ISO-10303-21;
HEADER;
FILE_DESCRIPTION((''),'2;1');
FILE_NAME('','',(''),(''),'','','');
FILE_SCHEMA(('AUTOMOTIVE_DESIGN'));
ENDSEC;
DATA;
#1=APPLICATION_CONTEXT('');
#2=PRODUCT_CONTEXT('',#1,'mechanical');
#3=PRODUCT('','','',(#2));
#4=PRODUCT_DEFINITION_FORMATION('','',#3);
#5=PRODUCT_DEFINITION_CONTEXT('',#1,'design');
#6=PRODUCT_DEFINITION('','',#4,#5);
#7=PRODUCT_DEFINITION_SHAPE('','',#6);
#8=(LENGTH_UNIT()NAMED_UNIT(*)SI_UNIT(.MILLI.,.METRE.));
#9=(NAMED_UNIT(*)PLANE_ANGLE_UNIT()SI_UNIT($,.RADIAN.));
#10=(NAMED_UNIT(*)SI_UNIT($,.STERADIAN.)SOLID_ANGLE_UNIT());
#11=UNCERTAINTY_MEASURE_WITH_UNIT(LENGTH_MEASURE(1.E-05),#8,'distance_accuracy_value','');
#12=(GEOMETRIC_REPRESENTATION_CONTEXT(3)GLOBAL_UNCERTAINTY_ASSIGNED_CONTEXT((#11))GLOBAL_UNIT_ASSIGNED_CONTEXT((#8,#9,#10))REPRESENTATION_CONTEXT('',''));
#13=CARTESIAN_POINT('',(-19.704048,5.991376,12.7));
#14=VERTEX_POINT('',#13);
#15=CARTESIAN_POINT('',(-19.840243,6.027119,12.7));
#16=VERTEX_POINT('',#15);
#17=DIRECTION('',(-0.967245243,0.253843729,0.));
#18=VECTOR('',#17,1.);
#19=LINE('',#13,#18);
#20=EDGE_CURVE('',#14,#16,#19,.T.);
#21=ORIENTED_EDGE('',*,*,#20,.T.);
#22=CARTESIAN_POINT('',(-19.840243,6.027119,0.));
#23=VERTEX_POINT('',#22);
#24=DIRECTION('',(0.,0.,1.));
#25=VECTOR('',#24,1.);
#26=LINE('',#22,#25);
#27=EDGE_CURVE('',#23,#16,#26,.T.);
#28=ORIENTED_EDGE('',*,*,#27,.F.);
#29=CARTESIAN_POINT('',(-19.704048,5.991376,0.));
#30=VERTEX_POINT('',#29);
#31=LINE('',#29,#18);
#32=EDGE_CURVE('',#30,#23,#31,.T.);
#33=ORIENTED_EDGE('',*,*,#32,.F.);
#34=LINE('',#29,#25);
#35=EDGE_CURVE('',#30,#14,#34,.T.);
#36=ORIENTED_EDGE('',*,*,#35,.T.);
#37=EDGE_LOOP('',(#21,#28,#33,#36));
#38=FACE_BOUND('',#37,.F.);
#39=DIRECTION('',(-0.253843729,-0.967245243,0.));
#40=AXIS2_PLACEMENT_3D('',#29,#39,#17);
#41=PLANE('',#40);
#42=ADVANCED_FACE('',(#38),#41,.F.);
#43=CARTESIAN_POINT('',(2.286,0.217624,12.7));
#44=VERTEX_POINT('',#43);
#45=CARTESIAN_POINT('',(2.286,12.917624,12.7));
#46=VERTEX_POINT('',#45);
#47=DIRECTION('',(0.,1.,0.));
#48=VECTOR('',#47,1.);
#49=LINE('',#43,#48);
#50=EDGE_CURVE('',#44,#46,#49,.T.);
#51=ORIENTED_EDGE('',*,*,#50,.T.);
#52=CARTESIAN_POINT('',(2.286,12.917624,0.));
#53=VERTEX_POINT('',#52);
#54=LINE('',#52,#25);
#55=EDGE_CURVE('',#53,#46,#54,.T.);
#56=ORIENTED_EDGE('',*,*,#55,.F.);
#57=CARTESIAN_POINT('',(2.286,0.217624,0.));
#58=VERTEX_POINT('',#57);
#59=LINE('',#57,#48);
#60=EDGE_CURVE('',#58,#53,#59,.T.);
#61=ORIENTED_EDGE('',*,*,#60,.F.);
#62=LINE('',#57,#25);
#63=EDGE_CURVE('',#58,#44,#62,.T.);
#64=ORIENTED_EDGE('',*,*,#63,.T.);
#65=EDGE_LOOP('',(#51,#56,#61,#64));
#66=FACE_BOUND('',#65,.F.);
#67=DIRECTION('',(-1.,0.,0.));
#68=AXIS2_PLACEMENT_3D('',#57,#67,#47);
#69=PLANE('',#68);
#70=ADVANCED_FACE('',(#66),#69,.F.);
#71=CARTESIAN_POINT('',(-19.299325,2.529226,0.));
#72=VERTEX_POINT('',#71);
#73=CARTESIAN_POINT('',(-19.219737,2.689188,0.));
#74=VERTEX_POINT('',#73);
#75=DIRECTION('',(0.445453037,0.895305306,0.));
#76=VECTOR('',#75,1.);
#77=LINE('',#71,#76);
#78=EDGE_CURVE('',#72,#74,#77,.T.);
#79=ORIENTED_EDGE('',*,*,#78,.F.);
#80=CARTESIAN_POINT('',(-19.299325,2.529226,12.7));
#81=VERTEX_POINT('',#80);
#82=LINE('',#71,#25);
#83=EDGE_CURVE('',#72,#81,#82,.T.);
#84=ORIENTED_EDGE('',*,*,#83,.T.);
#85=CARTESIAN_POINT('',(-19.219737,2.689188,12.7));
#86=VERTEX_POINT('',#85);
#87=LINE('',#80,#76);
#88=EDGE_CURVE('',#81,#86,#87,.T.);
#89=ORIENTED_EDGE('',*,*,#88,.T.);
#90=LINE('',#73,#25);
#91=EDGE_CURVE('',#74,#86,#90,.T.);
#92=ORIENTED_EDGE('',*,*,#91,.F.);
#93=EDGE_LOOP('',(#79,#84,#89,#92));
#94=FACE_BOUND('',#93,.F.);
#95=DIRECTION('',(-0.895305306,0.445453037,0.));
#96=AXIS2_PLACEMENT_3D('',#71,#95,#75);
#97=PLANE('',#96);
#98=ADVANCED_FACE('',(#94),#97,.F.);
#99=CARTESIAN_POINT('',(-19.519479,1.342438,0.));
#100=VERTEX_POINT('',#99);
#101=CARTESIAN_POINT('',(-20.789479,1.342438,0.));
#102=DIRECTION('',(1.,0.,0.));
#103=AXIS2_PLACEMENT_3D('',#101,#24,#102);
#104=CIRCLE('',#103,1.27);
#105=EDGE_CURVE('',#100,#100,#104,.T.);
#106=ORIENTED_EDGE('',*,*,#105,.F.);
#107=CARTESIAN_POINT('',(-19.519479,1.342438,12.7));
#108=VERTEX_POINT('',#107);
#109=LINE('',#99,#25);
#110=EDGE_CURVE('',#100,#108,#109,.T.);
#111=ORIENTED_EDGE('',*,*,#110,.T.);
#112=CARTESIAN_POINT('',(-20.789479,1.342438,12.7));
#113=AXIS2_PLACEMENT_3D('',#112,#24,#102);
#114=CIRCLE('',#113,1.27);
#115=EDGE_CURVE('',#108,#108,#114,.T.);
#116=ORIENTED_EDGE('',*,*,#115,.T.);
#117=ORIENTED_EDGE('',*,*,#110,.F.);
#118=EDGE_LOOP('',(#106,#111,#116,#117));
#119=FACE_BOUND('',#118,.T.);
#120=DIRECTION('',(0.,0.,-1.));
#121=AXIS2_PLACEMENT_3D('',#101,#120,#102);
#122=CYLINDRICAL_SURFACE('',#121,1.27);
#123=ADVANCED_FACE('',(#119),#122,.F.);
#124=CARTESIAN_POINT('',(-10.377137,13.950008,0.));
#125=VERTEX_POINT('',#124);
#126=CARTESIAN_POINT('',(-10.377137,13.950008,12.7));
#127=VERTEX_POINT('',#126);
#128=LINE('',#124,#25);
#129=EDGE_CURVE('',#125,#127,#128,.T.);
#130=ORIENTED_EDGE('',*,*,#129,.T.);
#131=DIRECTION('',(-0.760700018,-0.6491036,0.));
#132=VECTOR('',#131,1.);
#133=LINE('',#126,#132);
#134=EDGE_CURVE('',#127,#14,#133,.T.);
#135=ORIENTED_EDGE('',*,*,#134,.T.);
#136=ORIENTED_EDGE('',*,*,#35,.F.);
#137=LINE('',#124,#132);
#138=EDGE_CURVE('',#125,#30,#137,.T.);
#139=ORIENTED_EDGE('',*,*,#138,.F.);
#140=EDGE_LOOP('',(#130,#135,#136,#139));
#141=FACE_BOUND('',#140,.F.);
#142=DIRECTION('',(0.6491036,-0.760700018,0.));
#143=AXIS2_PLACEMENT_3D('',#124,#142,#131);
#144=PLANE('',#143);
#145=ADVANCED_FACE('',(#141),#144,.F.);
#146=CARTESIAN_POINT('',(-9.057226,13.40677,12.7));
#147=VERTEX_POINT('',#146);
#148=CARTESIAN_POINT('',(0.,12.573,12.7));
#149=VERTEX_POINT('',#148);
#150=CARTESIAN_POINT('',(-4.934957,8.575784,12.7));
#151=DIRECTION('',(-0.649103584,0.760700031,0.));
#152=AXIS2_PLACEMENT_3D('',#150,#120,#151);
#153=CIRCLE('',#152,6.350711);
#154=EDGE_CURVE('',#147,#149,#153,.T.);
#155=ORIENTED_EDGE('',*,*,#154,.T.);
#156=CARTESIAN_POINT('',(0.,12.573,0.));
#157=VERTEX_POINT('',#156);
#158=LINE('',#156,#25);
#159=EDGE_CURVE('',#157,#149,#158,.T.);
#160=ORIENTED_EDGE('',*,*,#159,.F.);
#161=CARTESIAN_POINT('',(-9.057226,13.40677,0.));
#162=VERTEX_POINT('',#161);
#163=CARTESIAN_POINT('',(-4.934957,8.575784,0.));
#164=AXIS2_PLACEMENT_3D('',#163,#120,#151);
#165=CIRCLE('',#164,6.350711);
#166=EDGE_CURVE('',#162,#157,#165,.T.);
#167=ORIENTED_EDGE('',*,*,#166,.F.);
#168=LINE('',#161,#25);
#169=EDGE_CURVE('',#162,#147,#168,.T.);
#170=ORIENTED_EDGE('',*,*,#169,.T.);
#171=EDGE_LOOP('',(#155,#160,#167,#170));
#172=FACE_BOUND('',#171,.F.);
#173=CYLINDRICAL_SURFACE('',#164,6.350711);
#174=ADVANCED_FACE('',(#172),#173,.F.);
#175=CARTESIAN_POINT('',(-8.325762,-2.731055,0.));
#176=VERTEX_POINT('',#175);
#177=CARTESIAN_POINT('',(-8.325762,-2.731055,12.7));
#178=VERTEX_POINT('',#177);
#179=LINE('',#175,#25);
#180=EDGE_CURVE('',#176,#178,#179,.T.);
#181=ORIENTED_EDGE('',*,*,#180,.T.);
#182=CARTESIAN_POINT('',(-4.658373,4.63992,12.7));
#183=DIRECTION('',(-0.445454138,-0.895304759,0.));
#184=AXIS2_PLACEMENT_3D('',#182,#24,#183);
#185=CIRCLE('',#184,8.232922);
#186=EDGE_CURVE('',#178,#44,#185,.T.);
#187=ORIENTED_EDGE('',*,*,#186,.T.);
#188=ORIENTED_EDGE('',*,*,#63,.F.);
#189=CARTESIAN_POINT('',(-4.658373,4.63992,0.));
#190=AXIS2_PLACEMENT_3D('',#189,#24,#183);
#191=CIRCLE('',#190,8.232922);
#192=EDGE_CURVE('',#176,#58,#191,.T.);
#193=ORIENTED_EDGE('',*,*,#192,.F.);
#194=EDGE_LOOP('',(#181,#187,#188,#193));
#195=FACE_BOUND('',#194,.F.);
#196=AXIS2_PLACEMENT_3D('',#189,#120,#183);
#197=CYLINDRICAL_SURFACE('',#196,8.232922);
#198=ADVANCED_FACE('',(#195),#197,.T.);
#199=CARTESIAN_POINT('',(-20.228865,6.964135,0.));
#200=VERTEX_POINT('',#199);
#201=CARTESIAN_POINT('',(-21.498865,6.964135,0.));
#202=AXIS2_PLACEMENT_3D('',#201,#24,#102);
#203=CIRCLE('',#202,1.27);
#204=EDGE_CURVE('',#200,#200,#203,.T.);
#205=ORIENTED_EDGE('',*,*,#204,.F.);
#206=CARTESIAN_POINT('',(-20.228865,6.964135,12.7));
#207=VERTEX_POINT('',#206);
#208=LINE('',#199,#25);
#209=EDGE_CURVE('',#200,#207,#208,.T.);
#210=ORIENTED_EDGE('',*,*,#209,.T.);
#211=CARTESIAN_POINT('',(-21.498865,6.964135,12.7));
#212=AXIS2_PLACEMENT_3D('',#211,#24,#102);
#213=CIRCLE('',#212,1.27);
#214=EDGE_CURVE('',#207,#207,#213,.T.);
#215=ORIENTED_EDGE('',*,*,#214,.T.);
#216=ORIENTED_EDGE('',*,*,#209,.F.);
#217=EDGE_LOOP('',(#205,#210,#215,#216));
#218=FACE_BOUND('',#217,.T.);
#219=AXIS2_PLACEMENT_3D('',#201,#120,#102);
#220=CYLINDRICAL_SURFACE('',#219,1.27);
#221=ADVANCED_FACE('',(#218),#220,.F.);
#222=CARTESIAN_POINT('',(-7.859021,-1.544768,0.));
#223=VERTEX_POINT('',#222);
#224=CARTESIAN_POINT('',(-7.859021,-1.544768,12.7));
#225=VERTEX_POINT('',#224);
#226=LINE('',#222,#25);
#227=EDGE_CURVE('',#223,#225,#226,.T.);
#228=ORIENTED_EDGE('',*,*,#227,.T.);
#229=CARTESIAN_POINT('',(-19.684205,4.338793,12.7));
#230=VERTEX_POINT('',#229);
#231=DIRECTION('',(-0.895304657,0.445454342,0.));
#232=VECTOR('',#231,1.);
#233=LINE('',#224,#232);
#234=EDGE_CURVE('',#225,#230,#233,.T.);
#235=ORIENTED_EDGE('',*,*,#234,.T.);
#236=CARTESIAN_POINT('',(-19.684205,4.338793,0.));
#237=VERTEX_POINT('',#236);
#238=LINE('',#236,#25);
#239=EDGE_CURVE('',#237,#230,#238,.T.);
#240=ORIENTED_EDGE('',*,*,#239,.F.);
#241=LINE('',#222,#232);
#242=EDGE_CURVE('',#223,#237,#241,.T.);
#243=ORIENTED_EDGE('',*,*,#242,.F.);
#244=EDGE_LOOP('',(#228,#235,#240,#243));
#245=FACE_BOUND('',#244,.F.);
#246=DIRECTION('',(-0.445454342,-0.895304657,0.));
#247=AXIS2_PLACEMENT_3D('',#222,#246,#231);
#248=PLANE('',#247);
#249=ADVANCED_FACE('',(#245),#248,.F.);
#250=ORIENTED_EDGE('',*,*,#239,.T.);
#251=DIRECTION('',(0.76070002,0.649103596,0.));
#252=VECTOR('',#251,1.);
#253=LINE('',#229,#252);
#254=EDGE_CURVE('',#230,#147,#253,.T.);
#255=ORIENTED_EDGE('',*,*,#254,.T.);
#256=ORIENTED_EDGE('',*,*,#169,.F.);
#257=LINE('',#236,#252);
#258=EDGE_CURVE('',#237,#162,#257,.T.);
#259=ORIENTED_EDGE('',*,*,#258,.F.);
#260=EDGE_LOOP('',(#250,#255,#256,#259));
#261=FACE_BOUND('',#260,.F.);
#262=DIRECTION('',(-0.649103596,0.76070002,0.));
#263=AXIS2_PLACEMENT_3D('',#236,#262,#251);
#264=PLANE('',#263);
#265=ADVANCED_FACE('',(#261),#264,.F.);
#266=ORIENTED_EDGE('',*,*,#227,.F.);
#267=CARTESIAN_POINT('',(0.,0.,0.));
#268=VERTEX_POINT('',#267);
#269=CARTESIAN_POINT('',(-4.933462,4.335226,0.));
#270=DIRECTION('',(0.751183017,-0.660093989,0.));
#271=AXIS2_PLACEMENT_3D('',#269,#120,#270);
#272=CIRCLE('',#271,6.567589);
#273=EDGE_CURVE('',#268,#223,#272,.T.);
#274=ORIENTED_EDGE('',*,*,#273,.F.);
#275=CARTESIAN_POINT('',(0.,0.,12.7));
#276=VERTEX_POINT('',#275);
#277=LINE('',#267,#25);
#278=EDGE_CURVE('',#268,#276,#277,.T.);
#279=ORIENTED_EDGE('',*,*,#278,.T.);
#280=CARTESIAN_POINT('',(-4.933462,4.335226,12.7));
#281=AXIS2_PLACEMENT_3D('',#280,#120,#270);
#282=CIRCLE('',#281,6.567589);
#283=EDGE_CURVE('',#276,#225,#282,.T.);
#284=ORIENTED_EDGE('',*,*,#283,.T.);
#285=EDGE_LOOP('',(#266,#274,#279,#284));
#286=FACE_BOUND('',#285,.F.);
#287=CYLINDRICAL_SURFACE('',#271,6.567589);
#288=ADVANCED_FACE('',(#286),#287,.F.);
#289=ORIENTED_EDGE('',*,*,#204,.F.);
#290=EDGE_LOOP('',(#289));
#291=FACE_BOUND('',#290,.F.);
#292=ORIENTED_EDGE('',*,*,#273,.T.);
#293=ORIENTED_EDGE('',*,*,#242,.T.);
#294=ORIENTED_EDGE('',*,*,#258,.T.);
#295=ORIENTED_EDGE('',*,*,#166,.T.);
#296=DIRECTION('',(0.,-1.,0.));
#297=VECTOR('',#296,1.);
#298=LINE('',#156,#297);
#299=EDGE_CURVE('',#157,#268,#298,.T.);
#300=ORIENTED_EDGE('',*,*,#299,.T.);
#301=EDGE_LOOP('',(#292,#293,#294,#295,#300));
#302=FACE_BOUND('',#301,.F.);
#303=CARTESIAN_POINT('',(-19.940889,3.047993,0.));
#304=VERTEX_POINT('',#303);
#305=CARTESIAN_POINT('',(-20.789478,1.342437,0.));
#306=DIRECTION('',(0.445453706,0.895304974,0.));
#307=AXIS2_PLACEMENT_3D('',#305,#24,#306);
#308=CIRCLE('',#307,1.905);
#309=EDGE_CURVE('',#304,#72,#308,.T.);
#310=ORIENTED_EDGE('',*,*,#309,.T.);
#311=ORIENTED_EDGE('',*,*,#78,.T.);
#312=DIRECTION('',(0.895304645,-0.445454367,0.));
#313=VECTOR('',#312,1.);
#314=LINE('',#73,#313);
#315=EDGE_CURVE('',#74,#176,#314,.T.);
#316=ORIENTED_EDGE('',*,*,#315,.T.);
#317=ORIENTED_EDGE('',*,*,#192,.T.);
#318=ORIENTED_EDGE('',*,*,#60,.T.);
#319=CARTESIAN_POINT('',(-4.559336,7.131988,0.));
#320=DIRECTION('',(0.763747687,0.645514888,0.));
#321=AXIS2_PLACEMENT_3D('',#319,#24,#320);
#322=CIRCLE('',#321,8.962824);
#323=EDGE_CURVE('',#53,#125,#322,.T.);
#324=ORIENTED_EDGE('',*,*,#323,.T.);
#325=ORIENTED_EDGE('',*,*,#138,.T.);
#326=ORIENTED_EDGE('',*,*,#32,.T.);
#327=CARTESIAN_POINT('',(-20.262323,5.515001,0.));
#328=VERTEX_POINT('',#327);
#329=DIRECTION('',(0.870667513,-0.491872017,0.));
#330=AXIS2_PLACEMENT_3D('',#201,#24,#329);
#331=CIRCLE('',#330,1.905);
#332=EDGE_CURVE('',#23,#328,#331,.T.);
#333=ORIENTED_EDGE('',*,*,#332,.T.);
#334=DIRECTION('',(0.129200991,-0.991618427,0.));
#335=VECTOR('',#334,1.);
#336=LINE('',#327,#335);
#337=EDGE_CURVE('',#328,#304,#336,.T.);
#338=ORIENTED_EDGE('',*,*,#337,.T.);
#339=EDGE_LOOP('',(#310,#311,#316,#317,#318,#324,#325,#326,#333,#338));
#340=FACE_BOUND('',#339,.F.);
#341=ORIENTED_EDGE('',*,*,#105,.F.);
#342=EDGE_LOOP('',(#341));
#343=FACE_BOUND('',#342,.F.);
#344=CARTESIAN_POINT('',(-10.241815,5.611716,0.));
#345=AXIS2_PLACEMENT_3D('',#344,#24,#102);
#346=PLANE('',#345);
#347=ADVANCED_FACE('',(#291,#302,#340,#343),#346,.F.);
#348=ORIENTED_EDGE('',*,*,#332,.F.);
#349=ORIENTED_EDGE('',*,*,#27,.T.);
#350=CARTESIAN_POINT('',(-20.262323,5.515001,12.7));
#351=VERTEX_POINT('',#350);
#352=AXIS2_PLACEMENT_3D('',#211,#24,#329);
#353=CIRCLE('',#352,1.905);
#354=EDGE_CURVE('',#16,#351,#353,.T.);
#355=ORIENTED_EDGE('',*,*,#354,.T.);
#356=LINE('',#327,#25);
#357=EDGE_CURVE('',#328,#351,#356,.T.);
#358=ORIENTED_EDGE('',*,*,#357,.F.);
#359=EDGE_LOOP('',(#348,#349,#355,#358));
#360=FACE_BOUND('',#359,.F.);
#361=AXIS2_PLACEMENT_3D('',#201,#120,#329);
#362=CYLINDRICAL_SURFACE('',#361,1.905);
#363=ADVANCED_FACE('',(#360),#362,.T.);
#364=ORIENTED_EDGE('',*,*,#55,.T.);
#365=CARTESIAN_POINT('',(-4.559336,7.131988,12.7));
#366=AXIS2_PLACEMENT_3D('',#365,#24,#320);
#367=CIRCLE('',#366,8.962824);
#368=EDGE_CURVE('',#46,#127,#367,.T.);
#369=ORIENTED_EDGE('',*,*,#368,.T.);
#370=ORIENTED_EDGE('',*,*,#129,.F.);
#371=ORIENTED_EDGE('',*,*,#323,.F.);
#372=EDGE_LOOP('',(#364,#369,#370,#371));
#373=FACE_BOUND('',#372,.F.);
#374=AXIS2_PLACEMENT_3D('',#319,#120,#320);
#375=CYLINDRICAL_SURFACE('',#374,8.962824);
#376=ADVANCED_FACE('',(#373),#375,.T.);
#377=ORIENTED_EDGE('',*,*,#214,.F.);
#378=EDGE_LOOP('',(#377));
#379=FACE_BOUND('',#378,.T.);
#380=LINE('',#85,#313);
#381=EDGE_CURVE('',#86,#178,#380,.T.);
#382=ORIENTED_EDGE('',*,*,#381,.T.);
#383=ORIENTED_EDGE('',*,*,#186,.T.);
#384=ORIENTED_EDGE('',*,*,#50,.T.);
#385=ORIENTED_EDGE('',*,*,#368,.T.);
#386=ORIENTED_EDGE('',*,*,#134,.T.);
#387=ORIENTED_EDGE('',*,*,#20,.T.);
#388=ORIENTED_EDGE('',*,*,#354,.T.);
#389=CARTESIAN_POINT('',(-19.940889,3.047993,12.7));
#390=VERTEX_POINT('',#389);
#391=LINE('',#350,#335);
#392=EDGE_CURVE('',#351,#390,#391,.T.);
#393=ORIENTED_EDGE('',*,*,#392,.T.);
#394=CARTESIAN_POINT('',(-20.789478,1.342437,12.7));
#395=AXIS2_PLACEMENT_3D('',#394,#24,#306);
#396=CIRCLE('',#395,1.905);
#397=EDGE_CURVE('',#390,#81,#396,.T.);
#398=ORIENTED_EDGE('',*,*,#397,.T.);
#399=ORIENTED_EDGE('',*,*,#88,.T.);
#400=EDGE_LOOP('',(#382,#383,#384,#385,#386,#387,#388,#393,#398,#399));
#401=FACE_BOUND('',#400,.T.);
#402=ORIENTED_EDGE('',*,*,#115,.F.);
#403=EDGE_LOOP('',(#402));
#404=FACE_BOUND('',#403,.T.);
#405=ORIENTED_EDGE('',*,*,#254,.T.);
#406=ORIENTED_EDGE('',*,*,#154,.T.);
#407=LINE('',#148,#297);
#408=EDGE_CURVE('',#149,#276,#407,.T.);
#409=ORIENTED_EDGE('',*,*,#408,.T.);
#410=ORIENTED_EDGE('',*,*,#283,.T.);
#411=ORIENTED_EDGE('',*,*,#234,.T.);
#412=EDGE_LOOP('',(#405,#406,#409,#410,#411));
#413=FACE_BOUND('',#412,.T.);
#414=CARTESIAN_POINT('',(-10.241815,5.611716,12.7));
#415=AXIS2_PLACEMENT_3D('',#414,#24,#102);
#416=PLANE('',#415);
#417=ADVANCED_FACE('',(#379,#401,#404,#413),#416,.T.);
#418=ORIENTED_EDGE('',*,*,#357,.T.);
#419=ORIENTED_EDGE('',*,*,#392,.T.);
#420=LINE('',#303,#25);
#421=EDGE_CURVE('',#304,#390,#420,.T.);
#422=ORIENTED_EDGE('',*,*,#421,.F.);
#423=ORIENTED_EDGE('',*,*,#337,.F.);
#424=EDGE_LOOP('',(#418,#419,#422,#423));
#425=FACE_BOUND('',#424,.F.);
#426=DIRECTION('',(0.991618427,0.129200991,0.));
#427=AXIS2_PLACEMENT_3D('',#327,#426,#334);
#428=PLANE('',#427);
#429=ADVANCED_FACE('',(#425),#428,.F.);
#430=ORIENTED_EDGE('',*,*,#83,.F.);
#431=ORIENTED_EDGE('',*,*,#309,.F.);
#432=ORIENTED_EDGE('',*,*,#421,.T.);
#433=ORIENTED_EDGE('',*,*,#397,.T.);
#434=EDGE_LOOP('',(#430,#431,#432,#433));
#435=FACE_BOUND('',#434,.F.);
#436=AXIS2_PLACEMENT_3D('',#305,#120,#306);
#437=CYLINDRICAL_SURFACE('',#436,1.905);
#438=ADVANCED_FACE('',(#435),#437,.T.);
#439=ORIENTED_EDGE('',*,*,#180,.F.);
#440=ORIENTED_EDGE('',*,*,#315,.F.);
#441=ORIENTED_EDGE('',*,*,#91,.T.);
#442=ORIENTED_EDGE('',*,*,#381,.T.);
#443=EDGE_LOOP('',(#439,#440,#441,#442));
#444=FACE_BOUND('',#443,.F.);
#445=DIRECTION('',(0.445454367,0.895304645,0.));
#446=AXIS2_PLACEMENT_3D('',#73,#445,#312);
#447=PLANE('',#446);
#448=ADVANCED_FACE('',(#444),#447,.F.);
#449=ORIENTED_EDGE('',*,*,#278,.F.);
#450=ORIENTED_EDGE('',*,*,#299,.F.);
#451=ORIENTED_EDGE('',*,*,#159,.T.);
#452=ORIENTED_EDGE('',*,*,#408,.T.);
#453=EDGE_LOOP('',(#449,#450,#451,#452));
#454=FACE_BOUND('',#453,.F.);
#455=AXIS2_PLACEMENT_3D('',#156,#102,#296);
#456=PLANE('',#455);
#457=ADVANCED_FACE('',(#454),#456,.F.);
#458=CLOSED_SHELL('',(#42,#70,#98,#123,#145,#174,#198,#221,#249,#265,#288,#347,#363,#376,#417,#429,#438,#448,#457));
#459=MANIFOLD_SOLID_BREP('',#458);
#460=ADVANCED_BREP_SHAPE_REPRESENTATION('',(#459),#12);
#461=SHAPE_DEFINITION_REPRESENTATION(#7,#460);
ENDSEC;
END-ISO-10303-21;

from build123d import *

# Parameters (mm, degrees)
F0_R     = 1.27
F1_DEPTH = 12.7


with BuildPart() as f1:
    # F0 (on Top) → F1 (new body)
    with BuildSketch(Plane.XY):
        with BuildLine():
            Line((-10.377137, 13.950008), (-19.704048, 5.991376))
            Line((-19.704048, 5.991376), (-19.840243, 6.027119))
            ThreePointArc((-19.840243, 6.027119), (-22.96892, 8.175731), (-20.262323, 5.515001))
            Line((-20.262323, 5.515001), (-19.940889, 3.047993))
            ThreePointArc((-19.940889, 3.047993), (-21.987273, -0.138884), (-19.299325, 2.529226))
            Line((-19.299325, 2.529226), (-19.219737, 2.689188))
            Line((-19.219737, 2.689188), (-8.325762, -2.731055))
            ThreePointArc((-8.325762, -2.731055), (-2.45421, -3.292462), (2.286, 0.217624))
            Line((2.286, 0.217624), (2.286, 12.917624))
            ThreePointArc((2.286, 12.917624), (-3.831042, 16.065173), (-10.377137, 13.950008))
        make_face()
        with Locations((-20.789479, 1.342438)):
            Circle(F0_R, mode=Mode.SUBTRACT)
        with Locations((-21.498865, 6.964135)):
            Circle(F0_R, mode=Mode.SUBTRACT)
        with BuildLine():
            Line((0, 12.573), (0, 0))
            ThreePointArc((0, 0), (-3.666775, -2.109053), (-7.859021, -1.544768))
            Line((-7.859021, -1.544768), (-19.684205, 4.338793))
            Line((-19.684205, 4.338793), (-9.057226, 13.40677))
            ThreePointArc((-9.057226, 13.40677), (-4.352798, 14.899756), (0, 12.573))
        make_face(mode=Mode.SUBTRACT)
    extrude(amount=F1_DEPTH)


solid = f1.part
